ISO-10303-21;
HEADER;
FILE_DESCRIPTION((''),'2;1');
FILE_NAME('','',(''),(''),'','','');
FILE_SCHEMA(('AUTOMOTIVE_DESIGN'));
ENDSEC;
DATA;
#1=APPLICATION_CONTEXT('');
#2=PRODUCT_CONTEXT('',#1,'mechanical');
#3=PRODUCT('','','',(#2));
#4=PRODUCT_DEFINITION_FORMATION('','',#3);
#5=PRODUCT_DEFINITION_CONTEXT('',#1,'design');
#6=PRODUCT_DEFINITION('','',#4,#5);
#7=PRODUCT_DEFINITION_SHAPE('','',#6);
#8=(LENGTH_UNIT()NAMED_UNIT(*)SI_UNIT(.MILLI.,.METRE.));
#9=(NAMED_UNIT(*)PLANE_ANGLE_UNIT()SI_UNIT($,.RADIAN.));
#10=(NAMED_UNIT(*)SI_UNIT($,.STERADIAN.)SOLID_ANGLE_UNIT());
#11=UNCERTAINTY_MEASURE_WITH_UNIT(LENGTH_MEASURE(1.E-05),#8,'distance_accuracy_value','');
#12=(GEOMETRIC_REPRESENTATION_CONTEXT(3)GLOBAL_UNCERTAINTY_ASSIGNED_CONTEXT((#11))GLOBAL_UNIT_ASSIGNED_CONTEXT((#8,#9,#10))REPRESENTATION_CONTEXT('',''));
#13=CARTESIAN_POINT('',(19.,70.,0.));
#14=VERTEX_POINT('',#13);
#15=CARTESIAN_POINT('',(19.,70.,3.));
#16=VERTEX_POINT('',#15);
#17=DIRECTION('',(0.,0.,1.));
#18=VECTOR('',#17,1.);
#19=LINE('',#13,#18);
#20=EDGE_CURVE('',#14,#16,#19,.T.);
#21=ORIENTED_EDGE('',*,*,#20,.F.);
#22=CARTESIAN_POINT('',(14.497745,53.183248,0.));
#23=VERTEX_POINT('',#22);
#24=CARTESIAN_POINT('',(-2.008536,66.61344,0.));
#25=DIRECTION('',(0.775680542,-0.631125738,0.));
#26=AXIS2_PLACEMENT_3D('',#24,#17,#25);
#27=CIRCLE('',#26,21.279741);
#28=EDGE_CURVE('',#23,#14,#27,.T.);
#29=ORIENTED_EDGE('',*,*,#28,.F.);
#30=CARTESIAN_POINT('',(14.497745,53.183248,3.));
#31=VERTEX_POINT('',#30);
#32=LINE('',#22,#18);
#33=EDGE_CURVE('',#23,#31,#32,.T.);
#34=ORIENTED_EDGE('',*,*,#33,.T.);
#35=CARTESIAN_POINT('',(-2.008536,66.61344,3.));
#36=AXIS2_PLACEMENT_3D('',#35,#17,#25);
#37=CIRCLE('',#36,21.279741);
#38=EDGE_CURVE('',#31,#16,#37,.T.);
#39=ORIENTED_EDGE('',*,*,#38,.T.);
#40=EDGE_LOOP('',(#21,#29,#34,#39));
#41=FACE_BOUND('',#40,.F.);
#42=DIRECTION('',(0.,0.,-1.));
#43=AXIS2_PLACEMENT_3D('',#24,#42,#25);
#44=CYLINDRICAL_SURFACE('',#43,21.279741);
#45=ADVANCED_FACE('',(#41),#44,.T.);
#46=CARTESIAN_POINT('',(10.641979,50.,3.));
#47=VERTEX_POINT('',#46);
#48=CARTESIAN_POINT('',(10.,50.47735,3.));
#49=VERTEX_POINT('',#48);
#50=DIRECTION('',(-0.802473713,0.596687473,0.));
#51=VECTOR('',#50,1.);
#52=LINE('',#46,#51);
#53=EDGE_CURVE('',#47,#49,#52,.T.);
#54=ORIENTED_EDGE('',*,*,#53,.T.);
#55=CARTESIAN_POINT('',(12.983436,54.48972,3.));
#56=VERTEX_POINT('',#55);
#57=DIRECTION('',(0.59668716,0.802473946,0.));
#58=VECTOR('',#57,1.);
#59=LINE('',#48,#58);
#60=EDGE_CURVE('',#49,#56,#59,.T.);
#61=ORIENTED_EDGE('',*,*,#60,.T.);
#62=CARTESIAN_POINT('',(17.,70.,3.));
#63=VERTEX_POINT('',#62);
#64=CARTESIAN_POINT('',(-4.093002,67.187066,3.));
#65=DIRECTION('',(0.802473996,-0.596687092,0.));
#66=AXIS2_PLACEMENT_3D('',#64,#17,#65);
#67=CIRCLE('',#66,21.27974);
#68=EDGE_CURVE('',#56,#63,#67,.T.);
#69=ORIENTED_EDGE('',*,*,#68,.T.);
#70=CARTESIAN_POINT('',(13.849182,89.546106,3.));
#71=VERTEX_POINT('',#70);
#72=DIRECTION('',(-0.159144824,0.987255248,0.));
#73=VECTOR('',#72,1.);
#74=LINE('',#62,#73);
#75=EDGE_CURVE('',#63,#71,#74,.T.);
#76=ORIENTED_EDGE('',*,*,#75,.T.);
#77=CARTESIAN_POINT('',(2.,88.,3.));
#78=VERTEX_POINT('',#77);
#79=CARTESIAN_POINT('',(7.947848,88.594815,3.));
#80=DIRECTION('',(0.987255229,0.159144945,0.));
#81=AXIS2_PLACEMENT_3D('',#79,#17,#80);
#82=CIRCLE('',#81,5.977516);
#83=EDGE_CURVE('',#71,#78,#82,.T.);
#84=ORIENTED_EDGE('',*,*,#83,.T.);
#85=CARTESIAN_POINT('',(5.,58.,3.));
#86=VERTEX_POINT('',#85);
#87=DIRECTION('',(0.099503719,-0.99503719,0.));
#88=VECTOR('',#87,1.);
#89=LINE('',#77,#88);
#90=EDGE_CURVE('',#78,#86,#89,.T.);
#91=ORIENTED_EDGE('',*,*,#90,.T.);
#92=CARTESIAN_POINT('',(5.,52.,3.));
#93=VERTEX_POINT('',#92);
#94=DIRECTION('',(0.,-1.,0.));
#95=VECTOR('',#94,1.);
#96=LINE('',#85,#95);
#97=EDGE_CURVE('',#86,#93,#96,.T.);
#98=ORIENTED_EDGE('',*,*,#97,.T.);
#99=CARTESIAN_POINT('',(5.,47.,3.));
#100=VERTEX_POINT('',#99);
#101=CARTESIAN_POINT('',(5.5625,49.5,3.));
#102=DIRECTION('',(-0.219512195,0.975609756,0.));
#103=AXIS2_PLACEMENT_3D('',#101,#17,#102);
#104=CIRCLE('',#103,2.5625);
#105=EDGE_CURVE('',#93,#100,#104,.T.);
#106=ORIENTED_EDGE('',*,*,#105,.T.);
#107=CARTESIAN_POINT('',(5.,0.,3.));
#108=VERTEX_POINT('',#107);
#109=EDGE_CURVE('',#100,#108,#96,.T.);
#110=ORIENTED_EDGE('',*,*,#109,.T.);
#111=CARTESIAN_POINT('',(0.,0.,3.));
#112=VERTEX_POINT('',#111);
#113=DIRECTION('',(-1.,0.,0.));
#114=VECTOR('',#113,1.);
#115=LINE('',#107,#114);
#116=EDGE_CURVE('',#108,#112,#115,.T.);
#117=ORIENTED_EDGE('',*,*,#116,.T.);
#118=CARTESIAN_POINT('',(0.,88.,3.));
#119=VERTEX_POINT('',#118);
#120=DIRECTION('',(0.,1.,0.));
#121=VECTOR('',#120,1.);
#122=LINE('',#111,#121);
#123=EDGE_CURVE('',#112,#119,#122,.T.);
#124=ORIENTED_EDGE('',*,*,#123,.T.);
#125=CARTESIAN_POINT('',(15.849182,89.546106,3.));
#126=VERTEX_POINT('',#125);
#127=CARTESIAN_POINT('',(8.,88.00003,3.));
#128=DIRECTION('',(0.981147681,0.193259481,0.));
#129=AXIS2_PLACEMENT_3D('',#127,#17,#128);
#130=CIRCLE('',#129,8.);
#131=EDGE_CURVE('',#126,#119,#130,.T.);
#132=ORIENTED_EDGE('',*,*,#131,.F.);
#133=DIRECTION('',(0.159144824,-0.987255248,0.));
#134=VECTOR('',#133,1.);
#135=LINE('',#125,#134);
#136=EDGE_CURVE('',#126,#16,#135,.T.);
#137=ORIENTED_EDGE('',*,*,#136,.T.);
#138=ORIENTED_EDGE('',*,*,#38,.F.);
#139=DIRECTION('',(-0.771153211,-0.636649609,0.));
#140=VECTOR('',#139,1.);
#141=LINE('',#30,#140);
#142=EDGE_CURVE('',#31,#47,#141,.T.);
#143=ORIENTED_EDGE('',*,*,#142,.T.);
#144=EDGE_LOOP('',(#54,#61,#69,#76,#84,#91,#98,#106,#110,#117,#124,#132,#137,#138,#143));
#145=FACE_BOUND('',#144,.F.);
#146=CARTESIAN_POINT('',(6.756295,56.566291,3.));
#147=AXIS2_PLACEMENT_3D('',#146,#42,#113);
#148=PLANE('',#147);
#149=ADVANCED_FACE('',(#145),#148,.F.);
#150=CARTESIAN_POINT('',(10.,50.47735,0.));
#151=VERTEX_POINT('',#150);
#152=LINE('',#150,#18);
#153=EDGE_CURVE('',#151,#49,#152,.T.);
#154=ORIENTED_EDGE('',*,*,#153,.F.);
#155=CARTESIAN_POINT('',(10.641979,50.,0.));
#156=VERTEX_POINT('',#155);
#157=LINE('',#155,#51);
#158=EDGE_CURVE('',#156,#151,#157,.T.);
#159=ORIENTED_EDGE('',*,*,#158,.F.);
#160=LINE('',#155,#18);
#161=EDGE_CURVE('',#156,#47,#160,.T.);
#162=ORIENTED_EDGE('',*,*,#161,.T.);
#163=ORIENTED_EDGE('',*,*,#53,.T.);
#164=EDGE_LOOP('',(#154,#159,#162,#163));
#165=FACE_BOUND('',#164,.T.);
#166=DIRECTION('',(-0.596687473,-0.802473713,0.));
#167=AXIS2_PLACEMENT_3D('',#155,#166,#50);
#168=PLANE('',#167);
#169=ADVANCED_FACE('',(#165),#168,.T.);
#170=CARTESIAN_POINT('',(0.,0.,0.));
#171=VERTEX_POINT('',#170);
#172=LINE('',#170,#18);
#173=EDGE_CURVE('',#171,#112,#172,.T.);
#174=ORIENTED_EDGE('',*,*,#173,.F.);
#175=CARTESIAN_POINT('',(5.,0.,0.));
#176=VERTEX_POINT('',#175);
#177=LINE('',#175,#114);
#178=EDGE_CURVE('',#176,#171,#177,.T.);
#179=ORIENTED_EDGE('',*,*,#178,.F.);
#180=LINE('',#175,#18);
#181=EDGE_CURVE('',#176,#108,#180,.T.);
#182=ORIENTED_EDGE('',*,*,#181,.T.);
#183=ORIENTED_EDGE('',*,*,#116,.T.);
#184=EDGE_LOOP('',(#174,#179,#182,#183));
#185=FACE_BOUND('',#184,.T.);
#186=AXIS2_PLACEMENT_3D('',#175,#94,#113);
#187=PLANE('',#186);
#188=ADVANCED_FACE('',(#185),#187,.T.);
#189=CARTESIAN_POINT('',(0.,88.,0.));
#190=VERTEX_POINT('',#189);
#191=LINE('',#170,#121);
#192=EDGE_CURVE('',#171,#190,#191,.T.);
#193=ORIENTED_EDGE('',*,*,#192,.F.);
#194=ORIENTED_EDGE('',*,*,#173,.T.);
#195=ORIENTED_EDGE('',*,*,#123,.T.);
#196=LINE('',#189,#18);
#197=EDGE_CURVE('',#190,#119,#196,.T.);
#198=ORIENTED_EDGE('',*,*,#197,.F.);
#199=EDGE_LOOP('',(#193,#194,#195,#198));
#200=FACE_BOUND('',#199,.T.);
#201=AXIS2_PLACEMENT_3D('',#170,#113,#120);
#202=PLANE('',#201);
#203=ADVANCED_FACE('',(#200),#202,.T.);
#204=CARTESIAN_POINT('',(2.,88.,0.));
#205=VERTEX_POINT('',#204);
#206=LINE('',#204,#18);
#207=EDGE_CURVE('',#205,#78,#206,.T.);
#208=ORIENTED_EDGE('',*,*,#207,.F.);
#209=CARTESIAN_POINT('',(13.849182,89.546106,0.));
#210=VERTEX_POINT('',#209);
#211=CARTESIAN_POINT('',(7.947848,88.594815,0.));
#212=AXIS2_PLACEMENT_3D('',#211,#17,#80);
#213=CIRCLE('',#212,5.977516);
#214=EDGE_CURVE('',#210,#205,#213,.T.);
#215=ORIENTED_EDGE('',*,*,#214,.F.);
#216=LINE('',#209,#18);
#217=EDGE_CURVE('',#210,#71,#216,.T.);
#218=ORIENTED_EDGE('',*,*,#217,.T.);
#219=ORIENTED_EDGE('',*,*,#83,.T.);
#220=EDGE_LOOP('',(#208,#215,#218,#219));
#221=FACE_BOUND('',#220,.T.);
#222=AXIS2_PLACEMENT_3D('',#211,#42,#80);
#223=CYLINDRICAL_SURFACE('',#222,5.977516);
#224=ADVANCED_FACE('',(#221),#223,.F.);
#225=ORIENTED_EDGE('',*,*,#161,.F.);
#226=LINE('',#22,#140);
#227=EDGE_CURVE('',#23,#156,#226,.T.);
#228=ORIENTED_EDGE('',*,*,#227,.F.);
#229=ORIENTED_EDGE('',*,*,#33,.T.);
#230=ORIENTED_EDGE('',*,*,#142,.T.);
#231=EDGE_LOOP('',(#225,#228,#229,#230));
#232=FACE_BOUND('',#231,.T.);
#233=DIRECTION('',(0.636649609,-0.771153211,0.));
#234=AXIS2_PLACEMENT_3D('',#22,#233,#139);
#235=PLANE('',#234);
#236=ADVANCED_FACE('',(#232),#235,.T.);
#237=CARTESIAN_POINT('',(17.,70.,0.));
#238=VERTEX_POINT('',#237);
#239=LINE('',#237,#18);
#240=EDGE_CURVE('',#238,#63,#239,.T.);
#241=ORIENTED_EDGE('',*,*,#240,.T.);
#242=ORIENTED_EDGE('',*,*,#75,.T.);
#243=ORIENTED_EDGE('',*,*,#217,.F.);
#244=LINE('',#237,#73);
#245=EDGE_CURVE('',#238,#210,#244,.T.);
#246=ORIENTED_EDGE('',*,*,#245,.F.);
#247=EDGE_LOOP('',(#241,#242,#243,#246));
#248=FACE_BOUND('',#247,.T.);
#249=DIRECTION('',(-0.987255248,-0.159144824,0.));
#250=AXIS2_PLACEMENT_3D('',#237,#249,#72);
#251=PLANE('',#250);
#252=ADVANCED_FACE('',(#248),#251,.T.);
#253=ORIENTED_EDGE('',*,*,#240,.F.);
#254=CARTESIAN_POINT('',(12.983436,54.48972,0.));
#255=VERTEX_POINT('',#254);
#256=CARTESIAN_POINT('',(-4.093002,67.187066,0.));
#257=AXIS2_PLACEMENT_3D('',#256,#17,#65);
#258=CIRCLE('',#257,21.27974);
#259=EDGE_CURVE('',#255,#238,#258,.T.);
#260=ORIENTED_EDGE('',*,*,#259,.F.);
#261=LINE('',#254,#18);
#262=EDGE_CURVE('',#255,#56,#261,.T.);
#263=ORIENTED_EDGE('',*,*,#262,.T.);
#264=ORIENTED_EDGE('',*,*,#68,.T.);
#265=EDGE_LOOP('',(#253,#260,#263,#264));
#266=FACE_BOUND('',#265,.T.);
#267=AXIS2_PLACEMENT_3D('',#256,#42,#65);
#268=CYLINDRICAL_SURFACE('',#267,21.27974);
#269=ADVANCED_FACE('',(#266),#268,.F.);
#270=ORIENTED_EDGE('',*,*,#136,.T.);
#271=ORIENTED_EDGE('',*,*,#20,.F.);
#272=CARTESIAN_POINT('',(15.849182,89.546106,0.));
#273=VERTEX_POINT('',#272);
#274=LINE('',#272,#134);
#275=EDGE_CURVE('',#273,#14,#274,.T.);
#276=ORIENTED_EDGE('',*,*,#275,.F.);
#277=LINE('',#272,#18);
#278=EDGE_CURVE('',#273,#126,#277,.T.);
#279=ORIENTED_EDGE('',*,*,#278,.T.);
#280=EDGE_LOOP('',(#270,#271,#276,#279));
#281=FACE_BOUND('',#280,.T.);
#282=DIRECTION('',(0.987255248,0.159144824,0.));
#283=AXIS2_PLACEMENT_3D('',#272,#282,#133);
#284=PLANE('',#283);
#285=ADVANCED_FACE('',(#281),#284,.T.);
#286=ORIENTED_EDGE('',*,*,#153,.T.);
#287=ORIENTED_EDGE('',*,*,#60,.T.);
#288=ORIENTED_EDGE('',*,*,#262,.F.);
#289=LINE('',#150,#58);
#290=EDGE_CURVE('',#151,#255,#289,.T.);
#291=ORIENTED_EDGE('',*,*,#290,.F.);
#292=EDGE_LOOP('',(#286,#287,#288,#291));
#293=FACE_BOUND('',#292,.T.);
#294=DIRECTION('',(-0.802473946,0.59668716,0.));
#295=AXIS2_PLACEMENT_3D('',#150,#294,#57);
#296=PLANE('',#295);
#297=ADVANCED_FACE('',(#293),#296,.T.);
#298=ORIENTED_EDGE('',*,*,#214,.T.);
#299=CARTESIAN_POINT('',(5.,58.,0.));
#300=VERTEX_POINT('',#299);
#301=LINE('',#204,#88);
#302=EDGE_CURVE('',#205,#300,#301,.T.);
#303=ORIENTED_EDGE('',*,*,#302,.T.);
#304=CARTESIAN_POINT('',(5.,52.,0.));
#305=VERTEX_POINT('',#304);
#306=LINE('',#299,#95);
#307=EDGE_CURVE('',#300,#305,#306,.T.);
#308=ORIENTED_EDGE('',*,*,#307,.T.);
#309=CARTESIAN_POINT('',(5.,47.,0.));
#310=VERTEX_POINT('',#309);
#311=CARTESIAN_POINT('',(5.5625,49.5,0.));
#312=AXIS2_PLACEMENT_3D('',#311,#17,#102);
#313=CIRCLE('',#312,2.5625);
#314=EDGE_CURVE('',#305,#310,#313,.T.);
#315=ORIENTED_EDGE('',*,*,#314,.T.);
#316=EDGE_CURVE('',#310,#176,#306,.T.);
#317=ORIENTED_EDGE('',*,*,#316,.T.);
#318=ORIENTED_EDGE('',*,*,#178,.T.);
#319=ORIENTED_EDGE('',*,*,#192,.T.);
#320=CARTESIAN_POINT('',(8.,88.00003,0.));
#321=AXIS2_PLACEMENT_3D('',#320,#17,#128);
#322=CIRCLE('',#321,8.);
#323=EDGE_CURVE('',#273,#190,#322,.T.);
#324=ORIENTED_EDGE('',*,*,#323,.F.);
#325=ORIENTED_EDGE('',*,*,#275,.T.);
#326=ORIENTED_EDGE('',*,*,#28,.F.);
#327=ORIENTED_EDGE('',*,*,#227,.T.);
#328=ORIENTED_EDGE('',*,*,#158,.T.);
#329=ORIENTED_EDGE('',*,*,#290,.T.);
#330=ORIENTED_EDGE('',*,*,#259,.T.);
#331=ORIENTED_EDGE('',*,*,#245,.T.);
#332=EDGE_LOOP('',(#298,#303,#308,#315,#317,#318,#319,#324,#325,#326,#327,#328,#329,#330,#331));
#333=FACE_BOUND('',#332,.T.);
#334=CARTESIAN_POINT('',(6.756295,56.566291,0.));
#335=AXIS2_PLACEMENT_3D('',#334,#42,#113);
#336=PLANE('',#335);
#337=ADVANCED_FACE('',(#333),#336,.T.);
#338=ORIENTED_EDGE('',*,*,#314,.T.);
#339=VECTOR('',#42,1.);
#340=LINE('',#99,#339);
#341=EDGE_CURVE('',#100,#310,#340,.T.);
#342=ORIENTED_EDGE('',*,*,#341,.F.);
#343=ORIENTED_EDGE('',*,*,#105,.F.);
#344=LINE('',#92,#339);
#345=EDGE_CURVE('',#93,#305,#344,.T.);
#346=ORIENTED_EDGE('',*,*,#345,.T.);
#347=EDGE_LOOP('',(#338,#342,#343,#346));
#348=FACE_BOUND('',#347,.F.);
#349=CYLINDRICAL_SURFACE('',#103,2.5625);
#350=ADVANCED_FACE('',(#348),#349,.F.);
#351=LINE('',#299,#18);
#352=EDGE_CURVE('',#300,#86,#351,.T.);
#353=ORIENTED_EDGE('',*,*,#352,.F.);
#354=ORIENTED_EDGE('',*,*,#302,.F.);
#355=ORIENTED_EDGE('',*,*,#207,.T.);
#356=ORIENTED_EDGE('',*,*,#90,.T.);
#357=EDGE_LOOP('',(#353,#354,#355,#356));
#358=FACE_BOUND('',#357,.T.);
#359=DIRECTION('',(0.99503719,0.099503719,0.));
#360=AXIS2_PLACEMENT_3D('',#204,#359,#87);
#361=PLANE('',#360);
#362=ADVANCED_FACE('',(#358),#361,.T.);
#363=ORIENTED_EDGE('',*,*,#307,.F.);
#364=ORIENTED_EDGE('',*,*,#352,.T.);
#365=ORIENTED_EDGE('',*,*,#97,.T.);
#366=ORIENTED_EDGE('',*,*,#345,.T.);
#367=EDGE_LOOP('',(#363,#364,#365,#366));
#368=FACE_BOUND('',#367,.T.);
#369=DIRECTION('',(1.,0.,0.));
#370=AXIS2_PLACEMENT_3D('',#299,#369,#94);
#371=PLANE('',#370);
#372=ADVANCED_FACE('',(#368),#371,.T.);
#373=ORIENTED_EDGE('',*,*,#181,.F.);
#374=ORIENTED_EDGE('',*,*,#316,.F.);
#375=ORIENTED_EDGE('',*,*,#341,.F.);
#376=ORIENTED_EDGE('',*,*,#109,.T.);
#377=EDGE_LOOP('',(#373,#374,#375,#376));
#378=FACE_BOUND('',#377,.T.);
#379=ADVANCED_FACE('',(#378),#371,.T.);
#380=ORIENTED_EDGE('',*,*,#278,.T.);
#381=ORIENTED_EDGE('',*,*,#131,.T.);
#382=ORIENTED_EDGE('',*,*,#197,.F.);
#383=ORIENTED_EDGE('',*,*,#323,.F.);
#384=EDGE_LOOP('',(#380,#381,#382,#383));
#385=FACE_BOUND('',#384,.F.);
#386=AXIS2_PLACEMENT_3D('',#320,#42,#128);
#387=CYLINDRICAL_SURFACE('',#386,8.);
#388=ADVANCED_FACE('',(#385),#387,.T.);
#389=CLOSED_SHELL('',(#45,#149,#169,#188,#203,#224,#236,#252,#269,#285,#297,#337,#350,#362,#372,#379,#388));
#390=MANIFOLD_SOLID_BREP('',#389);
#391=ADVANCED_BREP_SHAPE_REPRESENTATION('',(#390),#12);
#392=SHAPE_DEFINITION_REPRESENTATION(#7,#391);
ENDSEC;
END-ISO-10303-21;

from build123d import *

# Parameters (mm, degrees)
PAD_DEPTH    = 3
POCKET_DEPTH = 3.001


with BuildPart() as part:
    # Sketch → Pad (new body)
    with BuildSketch(Plane.XY):
        with BuildLine():
            Line((0, 0), (0, 88))
            ThreePointArc((15.849182, 89.546106), (7.223278, 95.962235), (0, 88))
            Line((15.849182, 89.546106), (19, 70))
            ThreePointArc((14.497745, 53.183248), (18.54727, 61.110149), (19, 70))
            Line((14.497745, 53.183248), (10.641979, 50))
            Line((10.641979, 50), (10, 50.47735))
            Line((10, 50.47735), (12.983436, 54.48972))
            ThreePointArc((12.983436, 54.48972), (16.50721, 61.852406), (17, 70))
            Line((17, 70), (13.849182, 89.546106))
            ThreePointArc((13.849182, 89.546106), (7.174445, 94.522086), (2, 88))
            Line((2, 88), (5, 58))
            Line((5, 58), (5, 0))
            Line((5, 0), (0, 0))
        make_face()
    extrude(amount=PAD_DEPTH)

    # Sketch001 → Pocket (cut, through all)
    with BuildSketch(Plane.XY.offset(3)):
        with BuildLine():
            ThreePointArc((5, 52), (3, 49.5), (5, 47))
            Line((5, 52), (5, 47))
        make_face()
    extrude(amount=-POCKET_DEPTH, mode=Mode.SUBTRACT)


solid = part.part
